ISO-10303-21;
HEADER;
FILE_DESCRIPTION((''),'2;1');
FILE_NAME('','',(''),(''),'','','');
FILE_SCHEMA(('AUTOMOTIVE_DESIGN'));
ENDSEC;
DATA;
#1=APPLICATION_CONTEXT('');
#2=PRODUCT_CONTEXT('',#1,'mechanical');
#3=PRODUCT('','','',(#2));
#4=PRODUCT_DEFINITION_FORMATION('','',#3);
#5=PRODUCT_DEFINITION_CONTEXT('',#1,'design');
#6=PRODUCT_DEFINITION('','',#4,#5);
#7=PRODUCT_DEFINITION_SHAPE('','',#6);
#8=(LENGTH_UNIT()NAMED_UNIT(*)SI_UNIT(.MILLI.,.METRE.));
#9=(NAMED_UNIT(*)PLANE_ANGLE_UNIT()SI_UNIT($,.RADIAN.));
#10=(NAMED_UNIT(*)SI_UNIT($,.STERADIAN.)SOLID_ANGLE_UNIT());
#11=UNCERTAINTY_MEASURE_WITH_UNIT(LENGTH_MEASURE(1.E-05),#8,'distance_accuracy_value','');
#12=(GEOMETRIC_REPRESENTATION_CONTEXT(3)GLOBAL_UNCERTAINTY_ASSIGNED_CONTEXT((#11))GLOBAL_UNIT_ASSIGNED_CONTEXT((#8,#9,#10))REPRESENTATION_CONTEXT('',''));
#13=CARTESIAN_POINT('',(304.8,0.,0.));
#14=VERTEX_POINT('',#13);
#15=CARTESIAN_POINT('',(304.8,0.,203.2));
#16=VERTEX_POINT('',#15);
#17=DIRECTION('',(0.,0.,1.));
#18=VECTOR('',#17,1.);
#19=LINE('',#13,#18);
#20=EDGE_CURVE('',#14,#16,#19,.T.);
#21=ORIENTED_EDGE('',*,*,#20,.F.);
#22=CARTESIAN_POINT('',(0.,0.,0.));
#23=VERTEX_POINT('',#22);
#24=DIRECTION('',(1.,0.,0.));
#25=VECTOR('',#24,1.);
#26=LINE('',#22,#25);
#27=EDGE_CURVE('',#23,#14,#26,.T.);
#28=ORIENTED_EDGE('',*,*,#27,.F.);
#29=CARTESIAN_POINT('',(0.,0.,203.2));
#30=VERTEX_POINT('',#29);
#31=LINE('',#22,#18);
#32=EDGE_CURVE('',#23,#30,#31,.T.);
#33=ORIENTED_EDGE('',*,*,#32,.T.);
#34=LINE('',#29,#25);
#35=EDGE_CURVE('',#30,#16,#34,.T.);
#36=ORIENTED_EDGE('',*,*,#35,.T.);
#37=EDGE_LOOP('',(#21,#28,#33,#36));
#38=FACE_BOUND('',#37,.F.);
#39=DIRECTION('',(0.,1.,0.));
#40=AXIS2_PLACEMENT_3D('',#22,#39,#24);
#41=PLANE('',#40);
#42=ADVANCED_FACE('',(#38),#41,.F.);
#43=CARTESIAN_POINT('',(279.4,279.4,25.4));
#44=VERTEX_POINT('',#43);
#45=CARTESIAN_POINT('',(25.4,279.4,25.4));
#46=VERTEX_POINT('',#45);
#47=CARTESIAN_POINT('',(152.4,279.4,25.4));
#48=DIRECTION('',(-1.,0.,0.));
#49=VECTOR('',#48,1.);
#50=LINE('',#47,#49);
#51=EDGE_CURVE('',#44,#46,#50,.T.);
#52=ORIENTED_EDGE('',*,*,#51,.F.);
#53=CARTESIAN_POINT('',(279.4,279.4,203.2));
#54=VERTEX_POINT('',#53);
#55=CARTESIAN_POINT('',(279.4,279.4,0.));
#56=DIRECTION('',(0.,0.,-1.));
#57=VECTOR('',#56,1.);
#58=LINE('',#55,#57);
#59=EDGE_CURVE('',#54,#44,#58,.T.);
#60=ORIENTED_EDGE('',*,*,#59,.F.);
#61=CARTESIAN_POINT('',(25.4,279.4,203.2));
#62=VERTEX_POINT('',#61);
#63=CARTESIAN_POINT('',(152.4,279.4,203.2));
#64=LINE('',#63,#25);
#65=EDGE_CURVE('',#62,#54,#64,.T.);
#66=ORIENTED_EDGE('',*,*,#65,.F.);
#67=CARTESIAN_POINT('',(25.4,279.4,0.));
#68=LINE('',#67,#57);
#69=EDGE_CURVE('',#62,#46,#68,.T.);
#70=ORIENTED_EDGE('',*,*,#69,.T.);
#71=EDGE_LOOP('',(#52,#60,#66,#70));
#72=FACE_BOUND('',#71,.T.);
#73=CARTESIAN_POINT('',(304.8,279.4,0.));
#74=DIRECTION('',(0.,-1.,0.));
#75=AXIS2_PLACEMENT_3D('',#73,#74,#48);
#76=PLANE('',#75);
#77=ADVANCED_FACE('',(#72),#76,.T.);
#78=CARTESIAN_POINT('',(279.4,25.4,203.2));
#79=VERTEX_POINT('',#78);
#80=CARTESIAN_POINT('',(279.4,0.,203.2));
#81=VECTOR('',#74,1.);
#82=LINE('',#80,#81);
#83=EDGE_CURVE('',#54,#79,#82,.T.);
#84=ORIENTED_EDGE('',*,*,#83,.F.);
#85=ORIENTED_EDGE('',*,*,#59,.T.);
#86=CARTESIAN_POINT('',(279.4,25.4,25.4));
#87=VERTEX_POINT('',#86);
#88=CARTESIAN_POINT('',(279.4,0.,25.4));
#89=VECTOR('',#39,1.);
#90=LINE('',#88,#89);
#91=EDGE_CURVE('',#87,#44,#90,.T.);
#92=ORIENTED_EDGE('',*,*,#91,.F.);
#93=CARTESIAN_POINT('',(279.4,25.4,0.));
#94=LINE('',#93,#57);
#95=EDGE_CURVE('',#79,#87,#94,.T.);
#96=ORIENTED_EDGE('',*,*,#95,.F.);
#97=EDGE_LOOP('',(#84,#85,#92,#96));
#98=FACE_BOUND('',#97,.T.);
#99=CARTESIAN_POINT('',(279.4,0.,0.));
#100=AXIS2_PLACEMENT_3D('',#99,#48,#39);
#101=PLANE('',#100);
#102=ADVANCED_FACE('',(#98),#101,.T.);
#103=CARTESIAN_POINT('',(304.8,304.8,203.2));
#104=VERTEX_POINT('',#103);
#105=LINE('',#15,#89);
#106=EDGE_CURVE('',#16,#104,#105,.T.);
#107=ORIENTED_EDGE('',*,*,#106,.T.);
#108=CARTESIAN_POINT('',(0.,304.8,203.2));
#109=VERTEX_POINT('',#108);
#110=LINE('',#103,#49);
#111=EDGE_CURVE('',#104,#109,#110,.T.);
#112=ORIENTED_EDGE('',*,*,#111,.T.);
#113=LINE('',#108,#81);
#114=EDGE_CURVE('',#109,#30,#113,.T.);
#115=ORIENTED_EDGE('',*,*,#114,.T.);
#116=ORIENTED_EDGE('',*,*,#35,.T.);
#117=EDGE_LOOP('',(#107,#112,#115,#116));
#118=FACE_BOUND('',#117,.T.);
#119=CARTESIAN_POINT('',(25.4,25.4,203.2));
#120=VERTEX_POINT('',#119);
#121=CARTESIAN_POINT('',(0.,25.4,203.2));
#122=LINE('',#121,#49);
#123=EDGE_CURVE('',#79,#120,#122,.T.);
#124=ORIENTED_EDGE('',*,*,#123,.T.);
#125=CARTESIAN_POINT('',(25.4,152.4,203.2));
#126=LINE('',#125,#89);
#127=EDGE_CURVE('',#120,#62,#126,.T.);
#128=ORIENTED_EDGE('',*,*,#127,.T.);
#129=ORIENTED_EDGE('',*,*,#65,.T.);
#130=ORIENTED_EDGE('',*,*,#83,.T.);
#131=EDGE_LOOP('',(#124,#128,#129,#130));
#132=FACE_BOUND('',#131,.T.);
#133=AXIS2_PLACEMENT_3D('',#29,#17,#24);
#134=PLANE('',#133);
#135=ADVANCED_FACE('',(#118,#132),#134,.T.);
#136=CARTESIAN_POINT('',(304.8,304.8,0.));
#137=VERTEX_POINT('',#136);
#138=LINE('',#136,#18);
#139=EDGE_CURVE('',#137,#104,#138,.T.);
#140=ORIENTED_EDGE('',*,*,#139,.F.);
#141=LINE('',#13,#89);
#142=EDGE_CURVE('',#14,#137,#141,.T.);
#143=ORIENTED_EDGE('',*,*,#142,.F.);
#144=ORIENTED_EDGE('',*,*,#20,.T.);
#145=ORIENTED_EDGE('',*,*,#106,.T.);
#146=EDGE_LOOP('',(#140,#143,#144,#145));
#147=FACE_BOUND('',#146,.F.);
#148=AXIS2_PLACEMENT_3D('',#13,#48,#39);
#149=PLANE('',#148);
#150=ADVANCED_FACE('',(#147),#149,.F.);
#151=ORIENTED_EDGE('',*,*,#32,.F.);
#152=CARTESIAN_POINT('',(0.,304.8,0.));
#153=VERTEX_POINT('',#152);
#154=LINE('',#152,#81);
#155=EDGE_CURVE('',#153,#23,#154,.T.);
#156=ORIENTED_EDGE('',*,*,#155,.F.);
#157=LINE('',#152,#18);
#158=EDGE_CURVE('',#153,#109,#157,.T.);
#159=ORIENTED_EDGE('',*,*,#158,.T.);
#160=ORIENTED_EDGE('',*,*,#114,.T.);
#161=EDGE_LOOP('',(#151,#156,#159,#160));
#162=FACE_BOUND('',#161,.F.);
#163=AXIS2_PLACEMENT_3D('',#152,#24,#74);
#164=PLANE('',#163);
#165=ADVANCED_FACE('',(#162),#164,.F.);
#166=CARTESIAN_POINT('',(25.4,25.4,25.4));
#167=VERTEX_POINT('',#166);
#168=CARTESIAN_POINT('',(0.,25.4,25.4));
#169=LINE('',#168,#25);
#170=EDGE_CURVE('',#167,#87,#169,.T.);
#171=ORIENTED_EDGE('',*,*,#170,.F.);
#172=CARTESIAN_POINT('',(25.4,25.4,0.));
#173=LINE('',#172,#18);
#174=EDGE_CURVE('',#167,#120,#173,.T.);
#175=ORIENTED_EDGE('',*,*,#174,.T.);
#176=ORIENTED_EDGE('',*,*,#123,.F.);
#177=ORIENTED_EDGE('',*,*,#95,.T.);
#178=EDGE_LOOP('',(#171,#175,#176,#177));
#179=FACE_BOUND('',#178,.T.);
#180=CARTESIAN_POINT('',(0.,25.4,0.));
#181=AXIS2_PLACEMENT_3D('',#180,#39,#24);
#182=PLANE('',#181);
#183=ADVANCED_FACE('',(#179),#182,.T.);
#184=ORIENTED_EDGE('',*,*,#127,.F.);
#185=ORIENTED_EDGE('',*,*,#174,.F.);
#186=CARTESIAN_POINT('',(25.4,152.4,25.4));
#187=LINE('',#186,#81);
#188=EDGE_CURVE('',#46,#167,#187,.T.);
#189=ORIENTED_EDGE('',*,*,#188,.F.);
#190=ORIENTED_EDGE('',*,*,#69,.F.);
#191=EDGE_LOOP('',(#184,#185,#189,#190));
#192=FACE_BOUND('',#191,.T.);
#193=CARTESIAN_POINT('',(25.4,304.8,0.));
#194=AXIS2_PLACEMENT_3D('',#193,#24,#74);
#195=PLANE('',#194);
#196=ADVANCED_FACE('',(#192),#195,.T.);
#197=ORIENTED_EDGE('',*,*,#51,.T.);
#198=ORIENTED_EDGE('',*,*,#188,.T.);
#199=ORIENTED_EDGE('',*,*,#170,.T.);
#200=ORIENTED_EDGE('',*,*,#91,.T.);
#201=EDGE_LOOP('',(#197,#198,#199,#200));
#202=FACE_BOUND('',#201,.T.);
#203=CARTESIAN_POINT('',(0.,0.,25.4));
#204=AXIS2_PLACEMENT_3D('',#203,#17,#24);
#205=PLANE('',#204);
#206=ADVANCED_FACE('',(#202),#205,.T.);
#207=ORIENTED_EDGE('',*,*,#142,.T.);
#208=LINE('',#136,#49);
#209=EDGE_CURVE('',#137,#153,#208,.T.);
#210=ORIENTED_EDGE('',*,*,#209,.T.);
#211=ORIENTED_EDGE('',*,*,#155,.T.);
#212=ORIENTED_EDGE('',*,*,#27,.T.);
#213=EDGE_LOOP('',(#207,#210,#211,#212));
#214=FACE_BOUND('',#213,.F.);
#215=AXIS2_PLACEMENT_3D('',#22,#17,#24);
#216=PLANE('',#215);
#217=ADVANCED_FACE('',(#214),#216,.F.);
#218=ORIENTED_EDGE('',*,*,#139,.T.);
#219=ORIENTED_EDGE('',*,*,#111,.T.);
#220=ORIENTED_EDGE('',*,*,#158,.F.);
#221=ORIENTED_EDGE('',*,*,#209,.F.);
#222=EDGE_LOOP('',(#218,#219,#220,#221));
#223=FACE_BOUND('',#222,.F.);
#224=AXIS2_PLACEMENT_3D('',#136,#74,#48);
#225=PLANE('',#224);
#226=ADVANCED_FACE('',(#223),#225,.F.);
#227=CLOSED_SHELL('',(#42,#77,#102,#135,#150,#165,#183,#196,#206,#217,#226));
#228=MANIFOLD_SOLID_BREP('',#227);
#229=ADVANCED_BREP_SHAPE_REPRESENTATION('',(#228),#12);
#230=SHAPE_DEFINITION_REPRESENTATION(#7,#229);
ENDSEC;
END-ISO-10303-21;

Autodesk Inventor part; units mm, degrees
ref_plane "YZ Plane" through (0, 0, 0) normal (1, 0, 0) x (0, 1, 0)
ref_plane "XZ Plane" through (0, 0, 0) normal (0, 1, 0) x (-1, 0, 0)
ref_plane "XY Plane" through (0, 0, 0) normal (0, 0, 1) x (1, 0, 0)
sketch "Sketch1" plane through (0, 0, 0) normal (0, 0, 1) x (1, 0, 0)
  line L0 (0, 0) -> (304.8, 0)
  line L1 (304.8, 0) -> (304.8, 304.8)
  line L2 (304.8, 304.8) -> (0, 304.8)
  line L3 (0, 304.8) -> (0, 0)
  dimension "d0" = 304.8
  dimension "d1" = 304.8
extrude "Extrusion1" add sketch "Sketch1" along normal blind 203.2
shell "Shell1" thickness 25.4 removed faces 1 at (101.6, 203.2, 203.2)
equation "\"d1\" = d0"
properties part number "Yellow truck"
